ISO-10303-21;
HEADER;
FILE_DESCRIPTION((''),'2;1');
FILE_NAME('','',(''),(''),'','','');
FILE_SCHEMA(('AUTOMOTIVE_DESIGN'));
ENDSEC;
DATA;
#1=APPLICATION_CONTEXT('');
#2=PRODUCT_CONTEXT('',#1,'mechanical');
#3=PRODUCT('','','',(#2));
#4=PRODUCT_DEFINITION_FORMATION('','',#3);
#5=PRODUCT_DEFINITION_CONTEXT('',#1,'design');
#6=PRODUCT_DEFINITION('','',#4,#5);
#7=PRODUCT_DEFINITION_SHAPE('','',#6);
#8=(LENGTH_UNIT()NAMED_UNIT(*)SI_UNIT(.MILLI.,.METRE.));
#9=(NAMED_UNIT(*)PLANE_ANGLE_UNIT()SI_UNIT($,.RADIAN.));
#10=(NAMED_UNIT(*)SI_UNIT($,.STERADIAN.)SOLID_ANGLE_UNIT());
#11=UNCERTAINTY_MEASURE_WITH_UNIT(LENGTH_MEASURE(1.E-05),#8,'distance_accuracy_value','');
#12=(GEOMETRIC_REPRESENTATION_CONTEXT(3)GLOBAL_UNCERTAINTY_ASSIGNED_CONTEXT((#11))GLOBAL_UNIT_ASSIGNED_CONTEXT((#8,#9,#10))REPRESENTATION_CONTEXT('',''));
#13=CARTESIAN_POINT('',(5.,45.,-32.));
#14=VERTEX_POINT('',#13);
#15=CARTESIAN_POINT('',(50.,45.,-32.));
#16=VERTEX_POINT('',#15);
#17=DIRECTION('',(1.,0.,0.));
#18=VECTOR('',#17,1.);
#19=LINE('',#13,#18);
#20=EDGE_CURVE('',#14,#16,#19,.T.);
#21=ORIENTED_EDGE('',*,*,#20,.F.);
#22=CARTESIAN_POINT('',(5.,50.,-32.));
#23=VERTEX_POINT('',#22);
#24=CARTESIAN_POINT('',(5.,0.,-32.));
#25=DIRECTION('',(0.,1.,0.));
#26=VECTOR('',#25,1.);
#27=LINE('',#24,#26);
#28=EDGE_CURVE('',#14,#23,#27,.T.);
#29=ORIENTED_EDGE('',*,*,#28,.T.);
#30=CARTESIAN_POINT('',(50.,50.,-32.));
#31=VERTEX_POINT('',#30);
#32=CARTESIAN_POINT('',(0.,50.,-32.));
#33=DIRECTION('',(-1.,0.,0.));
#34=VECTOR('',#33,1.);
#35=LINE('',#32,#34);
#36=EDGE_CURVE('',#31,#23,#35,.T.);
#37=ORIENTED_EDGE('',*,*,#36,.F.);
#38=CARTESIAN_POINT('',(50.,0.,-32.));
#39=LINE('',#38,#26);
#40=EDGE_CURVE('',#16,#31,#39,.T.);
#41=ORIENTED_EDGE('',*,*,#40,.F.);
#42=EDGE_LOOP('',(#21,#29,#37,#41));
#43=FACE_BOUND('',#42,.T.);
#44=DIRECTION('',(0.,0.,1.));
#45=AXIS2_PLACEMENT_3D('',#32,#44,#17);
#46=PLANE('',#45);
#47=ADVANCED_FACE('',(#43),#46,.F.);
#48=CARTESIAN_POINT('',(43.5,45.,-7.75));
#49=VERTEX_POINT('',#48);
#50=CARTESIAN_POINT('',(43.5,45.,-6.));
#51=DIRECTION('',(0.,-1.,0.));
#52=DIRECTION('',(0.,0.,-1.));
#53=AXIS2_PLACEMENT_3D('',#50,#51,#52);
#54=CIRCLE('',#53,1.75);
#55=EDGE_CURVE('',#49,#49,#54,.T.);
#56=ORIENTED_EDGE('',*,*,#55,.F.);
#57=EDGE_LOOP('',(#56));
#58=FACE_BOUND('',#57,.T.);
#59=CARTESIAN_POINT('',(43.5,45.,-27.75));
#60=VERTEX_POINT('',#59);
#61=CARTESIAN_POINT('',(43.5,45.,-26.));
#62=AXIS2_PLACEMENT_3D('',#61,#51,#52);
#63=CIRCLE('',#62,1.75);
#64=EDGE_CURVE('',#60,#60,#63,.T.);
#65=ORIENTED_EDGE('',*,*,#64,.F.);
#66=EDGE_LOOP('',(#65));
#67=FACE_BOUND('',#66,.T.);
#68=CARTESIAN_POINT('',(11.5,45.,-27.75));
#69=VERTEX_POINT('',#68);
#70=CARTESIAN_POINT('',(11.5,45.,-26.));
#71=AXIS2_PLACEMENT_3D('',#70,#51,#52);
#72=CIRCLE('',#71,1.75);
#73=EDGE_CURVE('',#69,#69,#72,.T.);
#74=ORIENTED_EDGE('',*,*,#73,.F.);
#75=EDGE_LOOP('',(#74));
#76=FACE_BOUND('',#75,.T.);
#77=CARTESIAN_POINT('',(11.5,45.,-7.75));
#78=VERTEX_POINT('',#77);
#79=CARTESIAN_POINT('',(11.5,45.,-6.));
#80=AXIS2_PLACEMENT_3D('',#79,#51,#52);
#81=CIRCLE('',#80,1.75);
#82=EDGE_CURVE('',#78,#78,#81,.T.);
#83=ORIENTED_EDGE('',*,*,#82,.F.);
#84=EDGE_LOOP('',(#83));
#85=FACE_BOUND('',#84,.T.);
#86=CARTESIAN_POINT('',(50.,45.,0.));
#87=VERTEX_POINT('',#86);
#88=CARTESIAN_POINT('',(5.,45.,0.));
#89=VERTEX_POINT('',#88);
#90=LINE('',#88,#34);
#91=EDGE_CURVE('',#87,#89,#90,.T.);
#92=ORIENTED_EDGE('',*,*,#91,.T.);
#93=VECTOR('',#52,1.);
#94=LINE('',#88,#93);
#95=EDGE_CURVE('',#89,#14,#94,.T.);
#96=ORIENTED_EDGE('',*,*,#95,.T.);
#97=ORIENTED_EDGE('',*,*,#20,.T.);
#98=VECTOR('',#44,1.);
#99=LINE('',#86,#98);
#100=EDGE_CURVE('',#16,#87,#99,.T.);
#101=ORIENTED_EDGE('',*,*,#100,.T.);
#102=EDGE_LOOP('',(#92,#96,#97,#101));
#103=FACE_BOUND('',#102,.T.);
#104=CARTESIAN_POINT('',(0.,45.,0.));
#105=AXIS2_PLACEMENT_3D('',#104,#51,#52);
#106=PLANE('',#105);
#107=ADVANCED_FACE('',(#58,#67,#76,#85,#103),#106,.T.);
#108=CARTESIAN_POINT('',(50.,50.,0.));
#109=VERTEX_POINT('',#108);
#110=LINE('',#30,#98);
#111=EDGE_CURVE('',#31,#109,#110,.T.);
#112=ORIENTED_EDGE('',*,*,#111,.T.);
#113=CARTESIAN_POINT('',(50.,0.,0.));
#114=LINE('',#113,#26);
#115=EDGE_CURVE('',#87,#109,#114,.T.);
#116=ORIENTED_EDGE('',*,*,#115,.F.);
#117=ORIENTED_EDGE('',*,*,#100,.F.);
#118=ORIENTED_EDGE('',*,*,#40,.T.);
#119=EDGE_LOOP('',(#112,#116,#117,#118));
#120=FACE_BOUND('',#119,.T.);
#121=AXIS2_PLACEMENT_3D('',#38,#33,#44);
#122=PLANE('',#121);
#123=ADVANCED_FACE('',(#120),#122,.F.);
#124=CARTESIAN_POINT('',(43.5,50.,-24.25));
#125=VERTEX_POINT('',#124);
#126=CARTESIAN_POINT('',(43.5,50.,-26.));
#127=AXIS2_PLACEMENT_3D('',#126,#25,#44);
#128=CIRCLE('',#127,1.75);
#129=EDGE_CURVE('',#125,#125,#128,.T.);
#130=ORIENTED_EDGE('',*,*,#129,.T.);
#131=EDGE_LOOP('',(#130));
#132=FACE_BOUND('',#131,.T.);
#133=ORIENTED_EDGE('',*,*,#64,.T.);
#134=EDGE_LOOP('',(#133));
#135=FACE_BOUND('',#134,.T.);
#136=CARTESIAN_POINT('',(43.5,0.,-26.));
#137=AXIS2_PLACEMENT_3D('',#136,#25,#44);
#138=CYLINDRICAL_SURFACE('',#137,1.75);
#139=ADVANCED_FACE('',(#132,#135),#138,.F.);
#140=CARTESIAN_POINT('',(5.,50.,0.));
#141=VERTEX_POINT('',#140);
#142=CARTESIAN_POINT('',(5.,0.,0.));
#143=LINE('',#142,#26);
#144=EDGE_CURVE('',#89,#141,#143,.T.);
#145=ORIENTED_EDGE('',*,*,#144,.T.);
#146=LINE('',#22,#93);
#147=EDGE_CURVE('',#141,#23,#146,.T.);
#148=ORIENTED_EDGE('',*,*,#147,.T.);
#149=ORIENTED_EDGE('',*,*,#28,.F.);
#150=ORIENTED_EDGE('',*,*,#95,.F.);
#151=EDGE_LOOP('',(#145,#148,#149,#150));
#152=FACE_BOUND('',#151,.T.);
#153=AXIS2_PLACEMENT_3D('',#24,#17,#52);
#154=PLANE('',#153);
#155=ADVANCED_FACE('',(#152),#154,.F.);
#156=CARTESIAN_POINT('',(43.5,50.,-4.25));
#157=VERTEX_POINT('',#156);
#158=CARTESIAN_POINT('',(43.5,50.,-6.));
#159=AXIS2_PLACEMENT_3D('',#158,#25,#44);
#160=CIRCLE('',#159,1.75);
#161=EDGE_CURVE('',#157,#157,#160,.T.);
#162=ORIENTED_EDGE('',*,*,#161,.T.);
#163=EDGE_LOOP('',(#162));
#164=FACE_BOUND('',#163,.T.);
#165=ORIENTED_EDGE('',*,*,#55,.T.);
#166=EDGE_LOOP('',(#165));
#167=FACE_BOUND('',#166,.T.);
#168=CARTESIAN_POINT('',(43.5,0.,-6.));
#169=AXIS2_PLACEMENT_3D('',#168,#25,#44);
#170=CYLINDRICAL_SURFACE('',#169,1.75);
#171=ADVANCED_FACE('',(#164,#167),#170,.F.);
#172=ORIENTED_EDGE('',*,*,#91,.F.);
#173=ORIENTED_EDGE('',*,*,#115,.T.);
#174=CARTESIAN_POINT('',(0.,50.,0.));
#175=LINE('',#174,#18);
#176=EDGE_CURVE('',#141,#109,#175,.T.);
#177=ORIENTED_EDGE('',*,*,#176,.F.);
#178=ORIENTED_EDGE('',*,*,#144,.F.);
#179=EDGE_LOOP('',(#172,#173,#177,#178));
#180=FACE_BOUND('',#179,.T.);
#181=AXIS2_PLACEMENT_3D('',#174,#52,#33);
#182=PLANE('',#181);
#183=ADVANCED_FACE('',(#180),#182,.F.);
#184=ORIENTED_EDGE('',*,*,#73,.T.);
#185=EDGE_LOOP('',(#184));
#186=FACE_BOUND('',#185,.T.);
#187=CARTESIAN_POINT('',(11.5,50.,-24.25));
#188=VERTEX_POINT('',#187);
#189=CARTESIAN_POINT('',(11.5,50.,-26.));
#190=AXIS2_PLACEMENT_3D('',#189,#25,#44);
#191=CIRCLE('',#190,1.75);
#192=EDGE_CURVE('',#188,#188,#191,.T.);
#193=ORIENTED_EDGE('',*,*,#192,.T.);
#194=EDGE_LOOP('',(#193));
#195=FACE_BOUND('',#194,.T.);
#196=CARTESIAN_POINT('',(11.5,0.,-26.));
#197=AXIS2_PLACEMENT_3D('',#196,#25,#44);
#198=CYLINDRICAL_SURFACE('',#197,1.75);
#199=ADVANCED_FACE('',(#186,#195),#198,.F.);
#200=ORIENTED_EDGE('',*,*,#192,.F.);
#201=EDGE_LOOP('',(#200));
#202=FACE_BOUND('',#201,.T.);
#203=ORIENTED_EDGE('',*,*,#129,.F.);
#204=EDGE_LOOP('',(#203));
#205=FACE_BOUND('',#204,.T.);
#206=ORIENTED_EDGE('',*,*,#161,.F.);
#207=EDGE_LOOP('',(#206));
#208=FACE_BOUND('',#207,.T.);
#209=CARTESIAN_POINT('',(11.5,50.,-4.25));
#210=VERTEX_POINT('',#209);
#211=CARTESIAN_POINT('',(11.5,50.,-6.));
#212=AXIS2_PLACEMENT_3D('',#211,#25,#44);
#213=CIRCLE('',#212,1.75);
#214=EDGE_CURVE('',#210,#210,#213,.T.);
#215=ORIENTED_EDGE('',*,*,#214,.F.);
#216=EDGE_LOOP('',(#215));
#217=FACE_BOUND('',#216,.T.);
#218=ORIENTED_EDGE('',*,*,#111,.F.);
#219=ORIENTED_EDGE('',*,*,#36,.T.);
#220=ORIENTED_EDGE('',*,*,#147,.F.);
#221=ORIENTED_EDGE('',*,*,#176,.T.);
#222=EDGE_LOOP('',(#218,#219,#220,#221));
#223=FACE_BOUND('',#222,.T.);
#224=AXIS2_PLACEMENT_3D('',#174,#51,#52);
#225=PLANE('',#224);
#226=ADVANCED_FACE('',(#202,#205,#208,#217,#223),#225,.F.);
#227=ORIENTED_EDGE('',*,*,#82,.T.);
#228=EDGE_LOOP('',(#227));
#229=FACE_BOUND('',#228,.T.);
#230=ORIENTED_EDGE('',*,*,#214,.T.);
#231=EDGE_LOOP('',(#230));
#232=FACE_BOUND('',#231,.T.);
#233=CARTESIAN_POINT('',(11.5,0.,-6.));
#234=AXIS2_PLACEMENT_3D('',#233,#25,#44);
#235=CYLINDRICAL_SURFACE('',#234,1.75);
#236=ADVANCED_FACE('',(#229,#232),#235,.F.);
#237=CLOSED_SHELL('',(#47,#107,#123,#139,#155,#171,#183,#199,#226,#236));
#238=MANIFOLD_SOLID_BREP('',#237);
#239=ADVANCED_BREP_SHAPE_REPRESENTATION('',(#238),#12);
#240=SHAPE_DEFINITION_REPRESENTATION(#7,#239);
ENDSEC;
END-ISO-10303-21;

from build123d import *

# Parameters (mm, degrees)
SKETCH1_W           = 55
SKETCH1_H           = 32
BOSS_EXTRUDE1_DEPTH = 50
SKETCH2_W           = 45
SKETCH2_H           = 32
CUT_EXTRUDE1_DEPTH  = 45
SKETCH3_R           = 1.75
CUT_EXTRUDE2_DEPTH  = 51
SKETCH4_R           = 1.75
CUT_EXTRUDE3_DEPTH  = 56
SKETCH5_W           = 1.1
SKETCH5_H           = 35
CUT_EXTRUDE4_DEPTH  = 1.2
SKETCH6_W           = 5
SKETCH6_H           = 32
CUT_EXTRUDE5_DEPTH  = 51


with BuildPart() as part:
    # Sketch1 → Boss-Extrude1 (new body)
    with BuildSketch(Plane(origin=(0, 0, 0), x_dir=(1, 0, 0), z_dir=(0, 1, 0))):
        with Locations((27.5, 16)):
            Rectangle(SKETCH1_W, SKETCH1_H)
    extrude(amount=BOSS_EXTRUDE1_DEPTH)

    # Sketch2 → Cut-Extrude1 (cut)
    with BuildSketch(Plane.XZ):
        with Locations((27.5, -16)):
            Rectangle(SKETCH2_W, SKETCH2_H)
    extrude(amount=-CUT_EXTRUDE1_DEPTH, mode=Mode.SUBTRACT)

    # Sketch3 → Cut-Extrude2 (cut, through all)
    with BuildSketch(Plane(origin=(0, 50, 0), x_dir=(1, 0, 0), z_dir=(0, 1, 0))):
        with Locations((43.5, 26)):
            Circle(SKETCH3_R)
        with Locations((43.5, 6)):
            Circle(SKETCH3_R)
        with Locations((11.5, 26)):
            Circle(SKETCH3_R)
        with Locations((11.5, 6)):
            Circle(SKETCH3_R)
    extrude(amount=-CUT_EXTRUDE2_DEPTH, mode=Mode.SUBTRACT)

    # Sketch4 → Cut-Extrude3 (cut, through all)
    with BuildSketch(Plane(origin=(55, 0, 0), x_dir=(0, 0, -1), z_dir=(1, 0, 0))):
        with Locations((6, 5)):
            Circle(SKETCH4_R)
        with Locations((26, 5)):
            Circle(SKETCH4_R)
    extrude(amount=-CUT_EXTRUDE3_DEPTH, mode=Mode.SUBTRACT)

    # Sketch5 → Cut-Extrude4 (cut)
    with BuildSketch(Plane.ZY.offset(-50)):
        with Locations((-29.45, 27.5)):
            Rectangle(SKETCH5_W, SKETCH5_H)
        with Locations((-31.45, 27.5)):
            Rectangle(SKETCH5_W, SKETCH5_H)
        with Locations((-27.45, 27.5)):
            Rectangle(SKETCH5_W, SKETCH5_H)
        with Locations((-25.45, 27.5)):
            Rectangle(SKETCH5_W, SKETCH5_H)
        with Locations((-23.45, 27.5)):
            Rectangle(SKETCH5_W, SKETCH5_H)
        with Locations((-21.45, 27.5)):
            Rectangle(SKETCH5_W, SKETCH5_H)
        with Locations((-19.45, 27.5)):
            Rectangle(SKETCH5_W, SKETCH5_H)
        with Locations((-17.45, 27.5)):
            Rectangle(SKETCH5_W, SKETCH5_H)
        with Locations((-15.45, 27.5)):
            Rectangle(SKETCH5_W, SKETCH5_H)
        with Locations((-13.45, 27.5)):
            Rectangle(SKETCH5_W, SKETCH5_H)
        with Locations((-11.45, 27.5)):
            Rectangle(SKETCH5_W, SKETCH5_H)
        with Locations((-9.45, 27.5)):
            Rectangle(SKETCH5_W, SKETCH5_H)
        with Locations((-7.45, 27.5)):
            Rectangle(SKETCH5_W, SKETCH5_H)
        with Locations((-5.45, 27.5)):
            Rectangle(SKETCH5_W, SKETCH5_H)
        with Locations((-3.45, 27.5)):
            Rectangle(SKETCH5_W, SKETCH5_H)
        with Locations((-1.45, 27.5)):
            Rectangle(SKETCH5_W, SKETCH5_H)
        with Locations((0.55, 27.5)):
            Rectangle(SKETCH5_W, SKETCH5_H)
    extrude(amount=-CUT_EXTRUDE4_DEPTH, mode=Mode.SUBTRACT)

    # Sketch6 → Cut-Extrude5 (cut, through all)
    with BuildSketch(Plane(origin=(0, 50, 0), x_dir=(1, 0, 0), z_dir=(0, 1, 0))):
        with Locations((52.5, 16)):
            Rectangle(SKETCH6_W, SKETCH6_H)
        with Locations((2.5, 16)):
            Rectangle(SKETCH6_W, SKETCH6_H)
    extrude(amount=-CUT_EXTRUDE5_DEPTH, mode=Mode.SUBTRACT)


solid = part.part
